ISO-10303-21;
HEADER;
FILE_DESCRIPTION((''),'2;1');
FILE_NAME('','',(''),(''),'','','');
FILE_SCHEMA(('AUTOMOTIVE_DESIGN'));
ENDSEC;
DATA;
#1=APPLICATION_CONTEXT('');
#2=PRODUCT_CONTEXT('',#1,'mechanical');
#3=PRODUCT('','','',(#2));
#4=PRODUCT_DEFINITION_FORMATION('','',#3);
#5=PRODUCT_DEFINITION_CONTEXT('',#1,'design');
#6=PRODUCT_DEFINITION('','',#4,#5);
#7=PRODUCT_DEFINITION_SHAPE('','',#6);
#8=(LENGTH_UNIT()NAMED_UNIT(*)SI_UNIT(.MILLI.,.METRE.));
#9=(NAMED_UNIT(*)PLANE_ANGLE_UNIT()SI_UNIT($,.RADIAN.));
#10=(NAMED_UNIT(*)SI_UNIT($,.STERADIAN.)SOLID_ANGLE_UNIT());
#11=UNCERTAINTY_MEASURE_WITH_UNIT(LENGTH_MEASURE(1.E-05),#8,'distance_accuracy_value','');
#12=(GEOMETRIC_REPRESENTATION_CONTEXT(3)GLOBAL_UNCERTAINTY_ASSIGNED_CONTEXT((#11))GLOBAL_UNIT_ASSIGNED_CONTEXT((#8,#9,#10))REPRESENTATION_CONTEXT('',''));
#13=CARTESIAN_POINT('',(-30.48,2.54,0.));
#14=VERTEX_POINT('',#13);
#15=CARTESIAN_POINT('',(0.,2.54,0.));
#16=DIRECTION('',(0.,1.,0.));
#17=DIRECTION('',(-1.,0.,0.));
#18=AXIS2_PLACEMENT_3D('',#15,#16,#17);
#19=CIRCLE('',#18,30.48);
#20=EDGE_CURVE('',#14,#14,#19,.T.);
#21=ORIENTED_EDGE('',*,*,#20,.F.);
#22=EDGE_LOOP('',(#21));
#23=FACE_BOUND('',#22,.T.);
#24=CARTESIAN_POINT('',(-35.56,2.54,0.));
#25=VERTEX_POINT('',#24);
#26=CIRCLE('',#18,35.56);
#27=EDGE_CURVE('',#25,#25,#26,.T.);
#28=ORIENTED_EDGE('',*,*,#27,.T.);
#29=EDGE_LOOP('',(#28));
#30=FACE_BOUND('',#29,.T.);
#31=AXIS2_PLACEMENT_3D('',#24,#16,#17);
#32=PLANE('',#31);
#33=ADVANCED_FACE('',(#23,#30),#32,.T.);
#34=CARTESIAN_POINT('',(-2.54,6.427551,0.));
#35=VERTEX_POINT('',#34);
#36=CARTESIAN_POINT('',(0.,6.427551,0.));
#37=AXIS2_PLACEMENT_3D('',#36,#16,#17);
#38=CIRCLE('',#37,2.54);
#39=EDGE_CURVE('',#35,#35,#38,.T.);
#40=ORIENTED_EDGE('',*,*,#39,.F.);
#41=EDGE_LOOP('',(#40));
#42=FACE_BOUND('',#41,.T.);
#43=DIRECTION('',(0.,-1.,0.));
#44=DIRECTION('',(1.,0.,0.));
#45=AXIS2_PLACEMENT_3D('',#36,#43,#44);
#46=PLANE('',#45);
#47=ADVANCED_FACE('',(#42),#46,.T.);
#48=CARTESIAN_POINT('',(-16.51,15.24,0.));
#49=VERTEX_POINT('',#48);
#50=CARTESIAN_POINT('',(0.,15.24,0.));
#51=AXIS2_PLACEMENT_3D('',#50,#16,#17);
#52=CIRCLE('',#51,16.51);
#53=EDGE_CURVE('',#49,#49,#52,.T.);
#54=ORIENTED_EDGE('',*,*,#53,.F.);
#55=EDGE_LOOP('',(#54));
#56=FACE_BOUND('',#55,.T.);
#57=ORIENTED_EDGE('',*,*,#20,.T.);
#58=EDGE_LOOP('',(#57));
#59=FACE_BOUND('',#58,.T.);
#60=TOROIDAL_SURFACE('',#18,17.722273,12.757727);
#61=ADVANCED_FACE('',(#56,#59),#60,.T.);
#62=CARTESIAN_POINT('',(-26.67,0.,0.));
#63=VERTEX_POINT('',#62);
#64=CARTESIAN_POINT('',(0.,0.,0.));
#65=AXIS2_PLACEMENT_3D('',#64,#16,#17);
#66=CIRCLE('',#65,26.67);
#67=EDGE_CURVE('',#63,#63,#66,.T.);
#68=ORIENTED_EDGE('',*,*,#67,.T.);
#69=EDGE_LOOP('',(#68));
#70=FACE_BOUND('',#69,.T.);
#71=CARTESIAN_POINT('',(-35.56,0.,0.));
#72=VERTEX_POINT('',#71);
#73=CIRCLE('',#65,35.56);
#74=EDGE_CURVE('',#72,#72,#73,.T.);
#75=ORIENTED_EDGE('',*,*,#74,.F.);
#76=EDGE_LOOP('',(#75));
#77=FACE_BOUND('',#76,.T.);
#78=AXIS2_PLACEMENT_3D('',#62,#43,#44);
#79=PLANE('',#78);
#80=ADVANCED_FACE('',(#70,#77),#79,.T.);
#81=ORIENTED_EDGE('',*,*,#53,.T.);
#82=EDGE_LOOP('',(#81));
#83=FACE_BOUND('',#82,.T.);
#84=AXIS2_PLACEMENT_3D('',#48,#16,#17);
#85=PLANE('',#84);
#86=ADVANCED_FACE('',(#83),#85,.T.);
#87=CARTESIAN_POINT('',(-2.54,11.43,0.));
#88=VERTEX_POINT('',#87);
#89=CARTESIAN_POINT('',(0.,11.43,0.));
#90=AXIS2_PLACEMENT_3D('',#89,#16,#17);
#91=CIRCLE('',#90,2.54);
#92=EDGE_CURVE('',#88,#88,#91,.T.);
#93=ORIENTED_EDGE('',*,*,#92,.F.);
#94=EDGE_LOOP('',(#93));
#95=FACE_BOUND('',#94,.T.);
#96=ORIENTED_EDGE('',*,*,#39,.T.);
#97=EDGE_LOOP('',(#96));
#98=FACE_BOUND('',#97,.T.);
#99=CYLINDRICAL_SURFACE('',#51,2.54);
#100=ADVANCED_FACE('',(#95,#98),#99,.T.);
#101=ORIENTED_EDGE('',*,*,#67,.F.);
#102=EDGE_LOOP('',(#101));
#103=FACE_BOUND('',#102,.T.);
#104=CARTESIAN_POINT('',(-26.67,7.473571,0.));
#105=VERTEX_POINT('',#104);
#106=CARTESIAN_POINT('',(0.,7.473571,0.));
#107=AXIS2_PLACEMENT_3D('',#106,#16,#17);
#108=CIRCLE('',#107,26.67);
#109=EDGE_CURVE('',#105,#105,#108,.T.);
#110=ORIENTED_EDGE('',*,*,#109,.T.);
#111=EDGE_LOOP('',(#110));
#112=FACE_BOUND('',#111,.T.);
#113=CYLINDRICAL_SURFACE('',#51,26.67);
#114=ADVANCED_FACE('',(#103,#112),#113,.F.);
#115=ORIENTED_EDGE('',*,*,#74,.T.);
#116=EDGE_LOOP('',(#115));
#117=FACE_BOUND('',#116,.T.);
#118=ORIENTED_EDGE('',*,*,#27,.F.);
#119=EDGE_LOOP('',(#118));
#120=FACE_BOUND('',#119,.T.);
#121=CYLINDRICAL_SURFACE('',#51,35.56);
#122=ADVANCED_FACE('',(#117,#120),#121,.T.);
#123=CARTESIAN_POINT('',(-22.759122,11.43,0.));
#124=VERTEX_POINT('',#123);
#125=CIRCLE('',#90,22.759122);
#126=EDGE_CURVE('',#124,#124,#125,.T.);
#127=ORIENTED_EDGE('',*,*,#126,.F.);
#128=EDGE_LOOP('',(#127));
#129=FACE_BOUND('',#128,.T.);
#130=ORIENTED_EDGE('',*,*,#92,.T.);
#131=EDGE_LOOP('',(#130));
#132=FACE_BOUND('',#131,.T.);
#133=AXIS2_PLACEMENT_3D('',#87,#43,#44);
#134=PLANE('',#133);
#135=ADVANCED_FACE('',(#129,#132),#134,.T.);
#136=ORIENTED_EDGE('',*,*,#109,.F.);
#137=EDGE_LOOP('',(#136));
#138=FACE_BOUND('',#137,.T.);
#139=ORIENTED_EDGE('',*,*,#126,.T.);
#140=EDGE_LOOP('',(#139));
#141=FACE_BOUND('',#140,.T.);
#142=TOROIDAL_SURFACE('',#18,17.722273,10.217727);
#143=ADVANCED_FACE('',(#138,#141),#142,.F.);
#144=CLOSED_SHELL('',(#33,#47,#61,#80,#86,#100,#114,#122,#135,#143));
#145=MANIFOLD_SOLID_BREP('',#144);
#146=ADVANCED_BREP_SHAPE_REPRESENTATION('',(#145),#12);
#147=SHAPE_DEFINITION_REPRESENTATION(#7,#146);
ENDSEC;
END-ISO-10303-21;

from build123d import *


with BuildPart() as part:
    # Sketch1 → Revolve1 (revolve)
    with BuildSketch(Plane.XY):
        with BuildLine():
            Line((-35.56, 0), (-35.56, 2.54))
            Line((-35.56, 2.54), (-30.48, 2.54))
            ThreePointArc((-30.48, 2.54), (-26.304048777, 11.979953655), (-16.51, 15.24))
            Line((-16.51, 15.24), (0, 15.24))
            Line((0, 15.24), (0, 6.427550656))
            Line((0, 6.427550656), (-2.54, 6.427550656))
            Line((-2.54, 6.427550656), (-2.54, 11.43))
            Line((-2.54, 11.43), (-22.759122002, 11.43))
            ThreePointArc((-22.759122002, 11.43), (-24.989007002, 9.723072017), (-26.67, 7.473571452))
            Line((-26.67, 7.473571452), (-26.67, 0))
            Line((-26.67, 0), (-35.56, 0))
        make_face()
    revolve(axis=Axis((0, 15.24, 0), (0, -1, 0)))


solid = part.part
